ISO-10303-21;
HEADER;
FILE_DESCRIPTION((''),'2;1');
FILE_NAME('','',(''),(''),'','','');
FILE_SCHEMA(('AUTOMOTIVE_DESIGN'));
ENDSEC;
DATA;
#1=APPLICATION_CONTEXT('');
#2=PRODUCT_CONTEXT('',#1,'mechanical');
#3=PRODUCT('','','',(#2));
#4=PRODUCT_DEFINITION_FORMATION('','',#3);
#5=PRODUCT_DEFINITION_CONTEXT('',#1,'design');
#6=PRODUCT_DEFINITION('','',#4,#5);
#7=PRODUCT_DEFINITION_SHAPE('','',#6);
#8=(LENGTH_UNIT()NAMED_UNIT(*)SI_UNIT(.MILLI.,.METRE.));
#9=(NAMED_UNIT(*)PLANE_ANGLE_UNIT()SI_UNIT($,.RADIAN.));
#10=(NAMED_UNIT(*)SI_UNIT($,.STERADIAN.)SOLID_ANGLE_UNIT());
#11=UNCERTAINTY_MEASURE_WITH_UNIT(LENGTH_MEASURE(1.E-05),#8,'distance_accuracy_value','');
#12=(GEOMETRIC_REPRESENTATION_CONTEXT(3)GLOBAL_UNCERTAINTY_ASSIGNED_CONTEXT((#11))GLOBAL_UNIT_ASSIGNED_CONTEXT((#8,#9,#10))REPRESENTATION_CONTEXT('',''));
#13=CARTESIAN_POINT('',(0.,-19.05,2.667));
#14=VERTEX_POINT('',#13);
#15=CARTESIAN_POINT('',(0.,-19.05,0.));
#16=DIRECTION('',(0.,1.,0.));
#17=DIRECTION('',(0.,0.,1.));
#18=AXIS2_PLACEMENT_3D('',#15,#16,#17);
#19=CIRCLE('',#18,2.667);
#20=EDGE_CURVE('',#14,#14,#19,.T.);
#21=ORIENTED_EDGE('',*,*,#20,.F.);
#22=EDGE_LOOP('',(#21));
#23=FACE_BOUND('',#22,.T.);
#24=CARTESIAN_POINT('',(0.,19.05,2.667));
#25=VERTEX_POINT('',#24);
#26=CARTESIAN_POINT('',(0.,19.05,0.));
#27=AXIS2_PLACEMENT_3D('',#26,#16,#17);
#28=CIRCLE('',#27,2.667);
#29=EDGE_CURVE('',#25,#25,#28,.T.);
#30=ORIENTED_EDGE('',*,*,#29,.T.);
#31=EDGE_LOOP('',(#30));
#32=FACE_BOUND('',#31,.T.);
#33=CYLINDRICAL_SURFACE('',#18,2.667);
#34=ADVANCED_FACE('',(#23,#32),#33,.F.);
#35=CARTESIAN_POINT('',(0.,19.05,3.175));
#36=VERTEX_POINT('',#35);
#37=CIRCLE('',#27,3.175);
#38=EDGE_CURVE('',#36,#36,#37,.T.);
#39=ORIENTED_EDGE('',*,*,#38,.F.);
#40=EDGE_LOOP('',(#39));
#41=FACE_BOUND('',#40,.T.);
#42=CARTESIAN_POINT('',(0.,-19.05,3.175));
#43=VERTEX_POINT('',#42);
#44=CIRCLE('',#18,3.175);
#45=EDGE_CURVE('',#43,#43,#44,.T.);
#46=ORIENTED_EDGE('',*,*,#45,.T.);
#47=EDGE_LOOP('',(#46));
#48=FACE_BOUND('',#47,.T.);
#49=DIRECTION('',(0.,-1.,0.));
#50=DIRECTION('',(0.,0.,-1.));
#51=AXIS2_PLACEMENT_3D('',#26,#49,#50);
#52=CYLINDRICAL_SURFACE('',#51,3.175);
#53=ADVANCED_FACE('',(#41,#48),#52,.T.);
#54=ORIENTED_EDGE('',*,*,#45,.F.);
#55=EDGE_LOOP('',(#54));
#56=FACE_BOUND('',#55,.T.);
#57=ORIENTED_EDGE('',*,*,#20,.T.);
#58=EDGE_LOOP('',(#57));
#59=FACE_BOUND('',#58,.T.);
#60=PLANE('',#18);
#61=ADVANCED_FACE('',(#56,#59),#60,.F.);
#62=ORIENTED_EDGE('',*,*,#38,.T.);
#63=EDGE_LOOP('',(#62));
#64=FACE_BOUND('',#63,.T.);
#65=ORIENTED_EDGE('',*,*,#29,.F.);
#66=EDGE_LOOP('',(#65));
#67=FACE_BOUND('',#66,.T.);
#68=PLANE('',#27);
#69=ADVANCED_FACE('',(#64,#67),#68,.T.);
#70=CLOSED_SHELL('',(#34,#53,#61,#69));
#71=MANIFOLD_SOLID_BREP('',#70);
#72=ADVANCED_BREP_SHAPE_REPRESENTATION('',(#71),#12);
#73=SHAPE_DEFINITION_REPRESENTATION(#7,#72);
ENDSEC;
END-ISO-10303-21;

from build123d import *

# Parameters (mm, degrees)
SKETCH1_R               = 3.175
BOSS_EXTRUDE1_DEPTH     = 19.05
SKETCH2_R               = 2.667
CUT_EXTRUDE1_DEPTH      = 20.05
CUT_EXTRUDE1_DEPTH_BACK = 20.05


with BuildPart() as part:
    # Sketch1 → Boss-Extrude1 (new body, symmetric)
    with BuildSketch(Plane(origin=(0, 0, 0), x_dir=(1, 0, 0), z_dir=(0, 1, 0))):
        Circle(SKETCH1_R)
    extrude(amount=BOSS_EXTRUDE1_DEPTH, both=True)

    # Sketch2 → Cut-Extrude1 (cut, two sides)
    with BuildSketch(Plane(origin=(0, 0, 0), x_dir=(1, 0, 0), z_dir=(0, 1, 0))) as cut_extrude1_sk:
        Circle(SKETCH2_R)
    extrude(amount=CUT_EXTRUDE1_DEPTH, mode=Mode.SUBTRACT)
    extrude(cut_extrude1_sk.sketch, amount=-CUT_EXTRUDE1_DEPTH_BACK, mode=Mode.SUBTRACT)


solid = part.part
